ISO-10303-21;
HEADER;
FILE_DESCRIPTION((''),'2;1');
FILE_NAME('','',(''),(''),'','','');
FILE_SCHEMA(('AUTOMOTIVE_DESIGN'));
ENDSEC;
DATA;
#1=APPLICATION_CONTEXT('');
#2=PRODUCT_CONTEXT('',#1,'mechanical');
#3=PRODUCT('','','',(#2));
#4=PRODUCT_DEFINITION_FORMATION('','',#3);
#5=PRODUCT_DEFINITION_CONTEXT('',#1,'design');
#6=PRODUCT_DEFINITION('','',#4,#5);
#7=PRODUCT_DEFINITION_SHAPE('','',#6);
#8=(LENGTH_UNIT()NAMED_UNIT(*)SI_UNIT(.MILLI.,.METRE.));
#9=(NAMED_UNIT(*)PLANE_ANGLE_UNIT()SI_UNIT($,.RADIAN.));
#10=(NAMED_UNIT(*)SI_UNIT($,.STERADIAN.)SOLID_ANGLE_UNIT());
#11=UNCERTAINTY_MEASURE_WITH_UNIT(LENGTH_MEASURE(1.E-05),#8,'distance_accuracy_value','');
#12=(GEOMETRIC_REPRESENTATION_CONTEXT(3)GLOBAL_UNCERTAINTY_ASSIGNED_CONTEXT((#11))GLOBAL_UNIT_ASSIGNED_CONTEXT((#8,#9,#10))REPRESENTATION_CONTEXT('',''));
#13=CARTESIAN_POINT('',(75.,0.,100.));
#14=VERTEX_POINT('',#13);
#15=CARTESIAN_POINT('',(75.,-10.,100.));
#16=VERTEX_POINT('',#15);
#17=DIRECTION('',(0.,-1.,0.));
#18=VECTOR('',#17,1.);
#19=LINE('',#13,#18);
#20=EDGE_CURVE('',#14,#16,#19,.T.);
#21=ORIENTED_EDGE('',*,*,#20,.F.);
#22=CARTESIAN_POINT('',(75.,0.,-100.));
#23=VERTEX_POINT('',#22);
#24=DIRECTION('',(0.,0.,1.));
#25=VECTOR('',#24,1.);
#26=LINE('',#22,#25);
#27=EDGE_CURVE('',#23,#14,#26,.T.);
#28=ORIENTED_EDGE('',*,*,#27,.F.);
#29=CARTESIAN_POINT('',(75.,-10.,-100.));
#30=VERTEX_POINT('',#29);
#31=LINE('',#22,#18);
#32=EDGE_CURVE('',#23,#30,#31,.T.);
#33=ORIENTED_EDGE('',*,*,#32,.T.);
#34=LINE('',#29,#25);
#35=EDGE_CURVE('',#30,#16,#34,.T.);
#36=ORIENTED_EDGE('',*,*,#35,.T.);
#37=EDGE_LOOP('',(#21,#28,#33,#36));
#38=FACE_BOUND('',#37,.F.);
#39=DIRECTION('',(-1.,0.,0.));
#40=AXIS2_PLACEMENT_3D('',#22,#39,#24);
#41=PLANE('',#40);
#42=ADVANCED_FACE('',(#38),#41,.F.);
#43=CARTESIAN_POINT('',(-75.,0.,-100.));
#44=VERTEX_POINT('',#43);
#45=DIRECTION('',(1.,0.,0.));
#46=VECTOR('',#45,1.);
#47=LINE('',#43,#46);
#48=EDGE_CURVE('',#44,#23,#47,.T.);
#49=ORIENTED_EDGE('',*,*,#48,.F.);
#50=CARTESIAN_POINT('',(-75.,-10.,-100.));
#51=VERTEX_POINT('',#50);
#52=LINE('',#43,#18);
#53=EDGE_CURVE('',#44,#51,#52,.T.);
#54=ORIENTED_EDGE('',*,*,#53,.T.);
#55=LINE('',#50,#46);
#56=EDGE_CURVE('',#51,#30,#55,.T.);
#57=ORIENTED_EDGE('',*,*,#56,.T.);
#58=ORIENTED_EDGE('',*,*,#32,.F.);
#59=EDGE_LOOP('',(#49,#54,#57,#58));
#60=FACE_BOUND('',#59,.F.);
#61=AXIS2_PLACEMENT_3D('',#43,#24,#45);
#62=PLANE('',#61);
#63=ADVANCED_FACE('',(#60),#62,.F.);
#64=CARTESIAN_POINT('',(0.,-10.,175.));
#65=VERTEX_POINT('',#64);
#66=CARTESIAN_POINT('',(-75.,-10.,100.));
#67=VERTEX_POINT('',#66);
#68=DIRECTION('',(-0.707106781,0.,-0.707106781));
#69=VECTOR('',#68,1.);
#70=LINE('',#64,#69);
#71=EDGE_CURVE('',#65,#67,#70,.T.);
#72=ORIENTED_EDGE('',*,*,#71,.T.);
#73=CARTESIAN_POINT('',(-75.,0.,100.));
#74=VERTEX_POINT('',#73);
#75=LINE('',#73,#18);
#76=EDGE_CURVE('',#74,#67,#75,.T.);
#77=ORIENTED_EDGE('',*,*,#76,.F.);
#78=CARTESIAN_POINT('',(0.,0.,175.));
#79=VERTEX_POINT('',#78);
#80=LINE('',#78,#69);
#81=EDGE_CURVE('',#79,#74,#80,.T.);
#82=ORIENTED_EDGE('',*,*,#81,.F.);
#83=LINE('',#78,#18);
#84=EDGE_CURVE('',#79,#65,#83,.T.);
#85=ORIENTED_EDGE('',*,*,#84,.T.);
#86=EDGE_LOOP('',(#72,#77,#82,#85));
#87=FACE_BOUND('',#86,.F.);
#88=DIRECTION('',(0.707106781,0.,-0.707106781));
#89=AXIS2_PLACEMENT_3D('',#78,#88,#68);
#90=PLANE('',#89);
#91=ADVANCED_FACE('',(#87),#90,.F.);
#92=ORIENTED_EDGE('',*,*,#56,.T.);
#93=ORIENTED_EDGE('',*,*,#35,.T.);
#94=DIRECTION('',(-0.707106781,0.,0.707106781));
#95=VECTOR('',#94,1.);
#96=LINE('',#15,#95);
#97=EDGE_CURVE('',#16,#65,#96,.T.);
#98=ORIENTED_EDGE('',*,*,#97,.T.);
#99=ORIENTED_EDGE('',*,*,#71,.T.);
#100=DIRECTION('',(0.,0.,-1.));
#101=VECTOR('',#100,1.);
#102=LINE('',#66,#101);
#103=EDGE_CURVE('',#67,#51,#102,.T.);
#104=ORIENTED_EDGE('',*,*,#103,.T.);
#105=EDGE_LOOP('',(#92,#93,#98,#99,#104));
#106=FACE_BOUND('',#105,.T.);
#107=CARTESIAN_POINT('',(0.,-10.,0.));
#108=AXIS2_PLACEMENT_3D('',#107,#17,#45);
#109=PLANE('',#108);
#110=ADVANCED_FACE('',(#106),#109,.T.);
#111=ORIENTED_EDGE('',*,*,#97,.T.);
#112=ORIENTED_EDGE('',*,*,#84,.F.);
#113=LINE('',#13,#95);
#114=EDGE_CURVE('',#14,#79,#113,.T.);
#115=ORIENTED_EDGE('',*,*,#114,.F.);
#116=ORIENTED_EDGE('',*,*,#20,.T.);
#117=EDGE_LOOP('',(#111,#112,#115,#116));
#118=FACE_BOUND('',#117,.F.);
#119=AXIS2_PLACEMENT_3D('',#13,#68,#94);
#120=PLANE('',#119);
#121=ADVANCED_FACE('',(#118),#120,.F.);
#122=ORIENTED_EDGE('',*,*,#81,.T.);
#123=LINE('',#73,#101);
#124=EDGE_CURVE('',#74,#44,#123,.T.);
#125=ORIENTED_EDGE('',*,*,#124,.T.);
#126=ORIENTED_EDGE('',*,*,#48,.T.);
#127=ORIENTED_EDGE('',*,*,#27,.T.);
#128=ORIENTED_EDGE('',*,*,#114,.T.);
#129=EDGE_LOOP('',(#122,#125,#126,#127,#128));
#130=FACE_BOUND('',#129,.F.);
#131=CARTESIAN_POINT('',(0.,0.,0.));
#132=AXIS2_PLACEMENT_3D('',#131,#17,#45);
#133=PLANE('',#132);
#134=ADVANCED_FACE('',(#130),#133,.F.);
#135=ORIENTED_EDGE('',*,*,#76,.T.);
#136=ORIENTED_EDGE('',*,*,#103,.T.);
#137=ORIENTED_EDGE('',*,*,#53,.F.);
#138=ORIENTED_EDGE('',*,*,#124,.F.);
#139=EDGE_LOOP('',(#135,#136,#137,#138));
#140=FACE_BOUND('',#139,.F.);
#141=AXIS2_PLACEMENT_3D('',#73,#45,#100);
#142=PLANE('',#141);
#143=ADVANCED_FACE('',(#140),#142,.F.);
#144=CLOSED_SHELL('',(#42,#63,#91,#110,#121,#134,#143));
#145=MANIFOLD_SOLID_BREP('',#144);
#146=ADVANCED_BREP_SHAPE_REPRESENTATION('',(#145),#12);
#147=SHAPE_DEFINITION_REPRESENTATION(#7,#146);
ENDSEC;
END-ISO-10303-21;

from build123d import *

# Parameters (mm, degrees)
F1_DEPTH = 10


with BuildPart() as f1:
    # F0 (on Front) → F1 (new body)
    with BuildSketch(Plane.XZ):
        Polygon((75, -100), (75, 100), (0, 100), (-75, 100), (-75, -100), align=None)
        Polygon((0, 100), (75, 100), (0, 175), align=None)
        Polygon((-75, 100), (0, 100), (0, 175), align=None)
    extrude(amount=F1_DEPTH)


solid = f1.part
